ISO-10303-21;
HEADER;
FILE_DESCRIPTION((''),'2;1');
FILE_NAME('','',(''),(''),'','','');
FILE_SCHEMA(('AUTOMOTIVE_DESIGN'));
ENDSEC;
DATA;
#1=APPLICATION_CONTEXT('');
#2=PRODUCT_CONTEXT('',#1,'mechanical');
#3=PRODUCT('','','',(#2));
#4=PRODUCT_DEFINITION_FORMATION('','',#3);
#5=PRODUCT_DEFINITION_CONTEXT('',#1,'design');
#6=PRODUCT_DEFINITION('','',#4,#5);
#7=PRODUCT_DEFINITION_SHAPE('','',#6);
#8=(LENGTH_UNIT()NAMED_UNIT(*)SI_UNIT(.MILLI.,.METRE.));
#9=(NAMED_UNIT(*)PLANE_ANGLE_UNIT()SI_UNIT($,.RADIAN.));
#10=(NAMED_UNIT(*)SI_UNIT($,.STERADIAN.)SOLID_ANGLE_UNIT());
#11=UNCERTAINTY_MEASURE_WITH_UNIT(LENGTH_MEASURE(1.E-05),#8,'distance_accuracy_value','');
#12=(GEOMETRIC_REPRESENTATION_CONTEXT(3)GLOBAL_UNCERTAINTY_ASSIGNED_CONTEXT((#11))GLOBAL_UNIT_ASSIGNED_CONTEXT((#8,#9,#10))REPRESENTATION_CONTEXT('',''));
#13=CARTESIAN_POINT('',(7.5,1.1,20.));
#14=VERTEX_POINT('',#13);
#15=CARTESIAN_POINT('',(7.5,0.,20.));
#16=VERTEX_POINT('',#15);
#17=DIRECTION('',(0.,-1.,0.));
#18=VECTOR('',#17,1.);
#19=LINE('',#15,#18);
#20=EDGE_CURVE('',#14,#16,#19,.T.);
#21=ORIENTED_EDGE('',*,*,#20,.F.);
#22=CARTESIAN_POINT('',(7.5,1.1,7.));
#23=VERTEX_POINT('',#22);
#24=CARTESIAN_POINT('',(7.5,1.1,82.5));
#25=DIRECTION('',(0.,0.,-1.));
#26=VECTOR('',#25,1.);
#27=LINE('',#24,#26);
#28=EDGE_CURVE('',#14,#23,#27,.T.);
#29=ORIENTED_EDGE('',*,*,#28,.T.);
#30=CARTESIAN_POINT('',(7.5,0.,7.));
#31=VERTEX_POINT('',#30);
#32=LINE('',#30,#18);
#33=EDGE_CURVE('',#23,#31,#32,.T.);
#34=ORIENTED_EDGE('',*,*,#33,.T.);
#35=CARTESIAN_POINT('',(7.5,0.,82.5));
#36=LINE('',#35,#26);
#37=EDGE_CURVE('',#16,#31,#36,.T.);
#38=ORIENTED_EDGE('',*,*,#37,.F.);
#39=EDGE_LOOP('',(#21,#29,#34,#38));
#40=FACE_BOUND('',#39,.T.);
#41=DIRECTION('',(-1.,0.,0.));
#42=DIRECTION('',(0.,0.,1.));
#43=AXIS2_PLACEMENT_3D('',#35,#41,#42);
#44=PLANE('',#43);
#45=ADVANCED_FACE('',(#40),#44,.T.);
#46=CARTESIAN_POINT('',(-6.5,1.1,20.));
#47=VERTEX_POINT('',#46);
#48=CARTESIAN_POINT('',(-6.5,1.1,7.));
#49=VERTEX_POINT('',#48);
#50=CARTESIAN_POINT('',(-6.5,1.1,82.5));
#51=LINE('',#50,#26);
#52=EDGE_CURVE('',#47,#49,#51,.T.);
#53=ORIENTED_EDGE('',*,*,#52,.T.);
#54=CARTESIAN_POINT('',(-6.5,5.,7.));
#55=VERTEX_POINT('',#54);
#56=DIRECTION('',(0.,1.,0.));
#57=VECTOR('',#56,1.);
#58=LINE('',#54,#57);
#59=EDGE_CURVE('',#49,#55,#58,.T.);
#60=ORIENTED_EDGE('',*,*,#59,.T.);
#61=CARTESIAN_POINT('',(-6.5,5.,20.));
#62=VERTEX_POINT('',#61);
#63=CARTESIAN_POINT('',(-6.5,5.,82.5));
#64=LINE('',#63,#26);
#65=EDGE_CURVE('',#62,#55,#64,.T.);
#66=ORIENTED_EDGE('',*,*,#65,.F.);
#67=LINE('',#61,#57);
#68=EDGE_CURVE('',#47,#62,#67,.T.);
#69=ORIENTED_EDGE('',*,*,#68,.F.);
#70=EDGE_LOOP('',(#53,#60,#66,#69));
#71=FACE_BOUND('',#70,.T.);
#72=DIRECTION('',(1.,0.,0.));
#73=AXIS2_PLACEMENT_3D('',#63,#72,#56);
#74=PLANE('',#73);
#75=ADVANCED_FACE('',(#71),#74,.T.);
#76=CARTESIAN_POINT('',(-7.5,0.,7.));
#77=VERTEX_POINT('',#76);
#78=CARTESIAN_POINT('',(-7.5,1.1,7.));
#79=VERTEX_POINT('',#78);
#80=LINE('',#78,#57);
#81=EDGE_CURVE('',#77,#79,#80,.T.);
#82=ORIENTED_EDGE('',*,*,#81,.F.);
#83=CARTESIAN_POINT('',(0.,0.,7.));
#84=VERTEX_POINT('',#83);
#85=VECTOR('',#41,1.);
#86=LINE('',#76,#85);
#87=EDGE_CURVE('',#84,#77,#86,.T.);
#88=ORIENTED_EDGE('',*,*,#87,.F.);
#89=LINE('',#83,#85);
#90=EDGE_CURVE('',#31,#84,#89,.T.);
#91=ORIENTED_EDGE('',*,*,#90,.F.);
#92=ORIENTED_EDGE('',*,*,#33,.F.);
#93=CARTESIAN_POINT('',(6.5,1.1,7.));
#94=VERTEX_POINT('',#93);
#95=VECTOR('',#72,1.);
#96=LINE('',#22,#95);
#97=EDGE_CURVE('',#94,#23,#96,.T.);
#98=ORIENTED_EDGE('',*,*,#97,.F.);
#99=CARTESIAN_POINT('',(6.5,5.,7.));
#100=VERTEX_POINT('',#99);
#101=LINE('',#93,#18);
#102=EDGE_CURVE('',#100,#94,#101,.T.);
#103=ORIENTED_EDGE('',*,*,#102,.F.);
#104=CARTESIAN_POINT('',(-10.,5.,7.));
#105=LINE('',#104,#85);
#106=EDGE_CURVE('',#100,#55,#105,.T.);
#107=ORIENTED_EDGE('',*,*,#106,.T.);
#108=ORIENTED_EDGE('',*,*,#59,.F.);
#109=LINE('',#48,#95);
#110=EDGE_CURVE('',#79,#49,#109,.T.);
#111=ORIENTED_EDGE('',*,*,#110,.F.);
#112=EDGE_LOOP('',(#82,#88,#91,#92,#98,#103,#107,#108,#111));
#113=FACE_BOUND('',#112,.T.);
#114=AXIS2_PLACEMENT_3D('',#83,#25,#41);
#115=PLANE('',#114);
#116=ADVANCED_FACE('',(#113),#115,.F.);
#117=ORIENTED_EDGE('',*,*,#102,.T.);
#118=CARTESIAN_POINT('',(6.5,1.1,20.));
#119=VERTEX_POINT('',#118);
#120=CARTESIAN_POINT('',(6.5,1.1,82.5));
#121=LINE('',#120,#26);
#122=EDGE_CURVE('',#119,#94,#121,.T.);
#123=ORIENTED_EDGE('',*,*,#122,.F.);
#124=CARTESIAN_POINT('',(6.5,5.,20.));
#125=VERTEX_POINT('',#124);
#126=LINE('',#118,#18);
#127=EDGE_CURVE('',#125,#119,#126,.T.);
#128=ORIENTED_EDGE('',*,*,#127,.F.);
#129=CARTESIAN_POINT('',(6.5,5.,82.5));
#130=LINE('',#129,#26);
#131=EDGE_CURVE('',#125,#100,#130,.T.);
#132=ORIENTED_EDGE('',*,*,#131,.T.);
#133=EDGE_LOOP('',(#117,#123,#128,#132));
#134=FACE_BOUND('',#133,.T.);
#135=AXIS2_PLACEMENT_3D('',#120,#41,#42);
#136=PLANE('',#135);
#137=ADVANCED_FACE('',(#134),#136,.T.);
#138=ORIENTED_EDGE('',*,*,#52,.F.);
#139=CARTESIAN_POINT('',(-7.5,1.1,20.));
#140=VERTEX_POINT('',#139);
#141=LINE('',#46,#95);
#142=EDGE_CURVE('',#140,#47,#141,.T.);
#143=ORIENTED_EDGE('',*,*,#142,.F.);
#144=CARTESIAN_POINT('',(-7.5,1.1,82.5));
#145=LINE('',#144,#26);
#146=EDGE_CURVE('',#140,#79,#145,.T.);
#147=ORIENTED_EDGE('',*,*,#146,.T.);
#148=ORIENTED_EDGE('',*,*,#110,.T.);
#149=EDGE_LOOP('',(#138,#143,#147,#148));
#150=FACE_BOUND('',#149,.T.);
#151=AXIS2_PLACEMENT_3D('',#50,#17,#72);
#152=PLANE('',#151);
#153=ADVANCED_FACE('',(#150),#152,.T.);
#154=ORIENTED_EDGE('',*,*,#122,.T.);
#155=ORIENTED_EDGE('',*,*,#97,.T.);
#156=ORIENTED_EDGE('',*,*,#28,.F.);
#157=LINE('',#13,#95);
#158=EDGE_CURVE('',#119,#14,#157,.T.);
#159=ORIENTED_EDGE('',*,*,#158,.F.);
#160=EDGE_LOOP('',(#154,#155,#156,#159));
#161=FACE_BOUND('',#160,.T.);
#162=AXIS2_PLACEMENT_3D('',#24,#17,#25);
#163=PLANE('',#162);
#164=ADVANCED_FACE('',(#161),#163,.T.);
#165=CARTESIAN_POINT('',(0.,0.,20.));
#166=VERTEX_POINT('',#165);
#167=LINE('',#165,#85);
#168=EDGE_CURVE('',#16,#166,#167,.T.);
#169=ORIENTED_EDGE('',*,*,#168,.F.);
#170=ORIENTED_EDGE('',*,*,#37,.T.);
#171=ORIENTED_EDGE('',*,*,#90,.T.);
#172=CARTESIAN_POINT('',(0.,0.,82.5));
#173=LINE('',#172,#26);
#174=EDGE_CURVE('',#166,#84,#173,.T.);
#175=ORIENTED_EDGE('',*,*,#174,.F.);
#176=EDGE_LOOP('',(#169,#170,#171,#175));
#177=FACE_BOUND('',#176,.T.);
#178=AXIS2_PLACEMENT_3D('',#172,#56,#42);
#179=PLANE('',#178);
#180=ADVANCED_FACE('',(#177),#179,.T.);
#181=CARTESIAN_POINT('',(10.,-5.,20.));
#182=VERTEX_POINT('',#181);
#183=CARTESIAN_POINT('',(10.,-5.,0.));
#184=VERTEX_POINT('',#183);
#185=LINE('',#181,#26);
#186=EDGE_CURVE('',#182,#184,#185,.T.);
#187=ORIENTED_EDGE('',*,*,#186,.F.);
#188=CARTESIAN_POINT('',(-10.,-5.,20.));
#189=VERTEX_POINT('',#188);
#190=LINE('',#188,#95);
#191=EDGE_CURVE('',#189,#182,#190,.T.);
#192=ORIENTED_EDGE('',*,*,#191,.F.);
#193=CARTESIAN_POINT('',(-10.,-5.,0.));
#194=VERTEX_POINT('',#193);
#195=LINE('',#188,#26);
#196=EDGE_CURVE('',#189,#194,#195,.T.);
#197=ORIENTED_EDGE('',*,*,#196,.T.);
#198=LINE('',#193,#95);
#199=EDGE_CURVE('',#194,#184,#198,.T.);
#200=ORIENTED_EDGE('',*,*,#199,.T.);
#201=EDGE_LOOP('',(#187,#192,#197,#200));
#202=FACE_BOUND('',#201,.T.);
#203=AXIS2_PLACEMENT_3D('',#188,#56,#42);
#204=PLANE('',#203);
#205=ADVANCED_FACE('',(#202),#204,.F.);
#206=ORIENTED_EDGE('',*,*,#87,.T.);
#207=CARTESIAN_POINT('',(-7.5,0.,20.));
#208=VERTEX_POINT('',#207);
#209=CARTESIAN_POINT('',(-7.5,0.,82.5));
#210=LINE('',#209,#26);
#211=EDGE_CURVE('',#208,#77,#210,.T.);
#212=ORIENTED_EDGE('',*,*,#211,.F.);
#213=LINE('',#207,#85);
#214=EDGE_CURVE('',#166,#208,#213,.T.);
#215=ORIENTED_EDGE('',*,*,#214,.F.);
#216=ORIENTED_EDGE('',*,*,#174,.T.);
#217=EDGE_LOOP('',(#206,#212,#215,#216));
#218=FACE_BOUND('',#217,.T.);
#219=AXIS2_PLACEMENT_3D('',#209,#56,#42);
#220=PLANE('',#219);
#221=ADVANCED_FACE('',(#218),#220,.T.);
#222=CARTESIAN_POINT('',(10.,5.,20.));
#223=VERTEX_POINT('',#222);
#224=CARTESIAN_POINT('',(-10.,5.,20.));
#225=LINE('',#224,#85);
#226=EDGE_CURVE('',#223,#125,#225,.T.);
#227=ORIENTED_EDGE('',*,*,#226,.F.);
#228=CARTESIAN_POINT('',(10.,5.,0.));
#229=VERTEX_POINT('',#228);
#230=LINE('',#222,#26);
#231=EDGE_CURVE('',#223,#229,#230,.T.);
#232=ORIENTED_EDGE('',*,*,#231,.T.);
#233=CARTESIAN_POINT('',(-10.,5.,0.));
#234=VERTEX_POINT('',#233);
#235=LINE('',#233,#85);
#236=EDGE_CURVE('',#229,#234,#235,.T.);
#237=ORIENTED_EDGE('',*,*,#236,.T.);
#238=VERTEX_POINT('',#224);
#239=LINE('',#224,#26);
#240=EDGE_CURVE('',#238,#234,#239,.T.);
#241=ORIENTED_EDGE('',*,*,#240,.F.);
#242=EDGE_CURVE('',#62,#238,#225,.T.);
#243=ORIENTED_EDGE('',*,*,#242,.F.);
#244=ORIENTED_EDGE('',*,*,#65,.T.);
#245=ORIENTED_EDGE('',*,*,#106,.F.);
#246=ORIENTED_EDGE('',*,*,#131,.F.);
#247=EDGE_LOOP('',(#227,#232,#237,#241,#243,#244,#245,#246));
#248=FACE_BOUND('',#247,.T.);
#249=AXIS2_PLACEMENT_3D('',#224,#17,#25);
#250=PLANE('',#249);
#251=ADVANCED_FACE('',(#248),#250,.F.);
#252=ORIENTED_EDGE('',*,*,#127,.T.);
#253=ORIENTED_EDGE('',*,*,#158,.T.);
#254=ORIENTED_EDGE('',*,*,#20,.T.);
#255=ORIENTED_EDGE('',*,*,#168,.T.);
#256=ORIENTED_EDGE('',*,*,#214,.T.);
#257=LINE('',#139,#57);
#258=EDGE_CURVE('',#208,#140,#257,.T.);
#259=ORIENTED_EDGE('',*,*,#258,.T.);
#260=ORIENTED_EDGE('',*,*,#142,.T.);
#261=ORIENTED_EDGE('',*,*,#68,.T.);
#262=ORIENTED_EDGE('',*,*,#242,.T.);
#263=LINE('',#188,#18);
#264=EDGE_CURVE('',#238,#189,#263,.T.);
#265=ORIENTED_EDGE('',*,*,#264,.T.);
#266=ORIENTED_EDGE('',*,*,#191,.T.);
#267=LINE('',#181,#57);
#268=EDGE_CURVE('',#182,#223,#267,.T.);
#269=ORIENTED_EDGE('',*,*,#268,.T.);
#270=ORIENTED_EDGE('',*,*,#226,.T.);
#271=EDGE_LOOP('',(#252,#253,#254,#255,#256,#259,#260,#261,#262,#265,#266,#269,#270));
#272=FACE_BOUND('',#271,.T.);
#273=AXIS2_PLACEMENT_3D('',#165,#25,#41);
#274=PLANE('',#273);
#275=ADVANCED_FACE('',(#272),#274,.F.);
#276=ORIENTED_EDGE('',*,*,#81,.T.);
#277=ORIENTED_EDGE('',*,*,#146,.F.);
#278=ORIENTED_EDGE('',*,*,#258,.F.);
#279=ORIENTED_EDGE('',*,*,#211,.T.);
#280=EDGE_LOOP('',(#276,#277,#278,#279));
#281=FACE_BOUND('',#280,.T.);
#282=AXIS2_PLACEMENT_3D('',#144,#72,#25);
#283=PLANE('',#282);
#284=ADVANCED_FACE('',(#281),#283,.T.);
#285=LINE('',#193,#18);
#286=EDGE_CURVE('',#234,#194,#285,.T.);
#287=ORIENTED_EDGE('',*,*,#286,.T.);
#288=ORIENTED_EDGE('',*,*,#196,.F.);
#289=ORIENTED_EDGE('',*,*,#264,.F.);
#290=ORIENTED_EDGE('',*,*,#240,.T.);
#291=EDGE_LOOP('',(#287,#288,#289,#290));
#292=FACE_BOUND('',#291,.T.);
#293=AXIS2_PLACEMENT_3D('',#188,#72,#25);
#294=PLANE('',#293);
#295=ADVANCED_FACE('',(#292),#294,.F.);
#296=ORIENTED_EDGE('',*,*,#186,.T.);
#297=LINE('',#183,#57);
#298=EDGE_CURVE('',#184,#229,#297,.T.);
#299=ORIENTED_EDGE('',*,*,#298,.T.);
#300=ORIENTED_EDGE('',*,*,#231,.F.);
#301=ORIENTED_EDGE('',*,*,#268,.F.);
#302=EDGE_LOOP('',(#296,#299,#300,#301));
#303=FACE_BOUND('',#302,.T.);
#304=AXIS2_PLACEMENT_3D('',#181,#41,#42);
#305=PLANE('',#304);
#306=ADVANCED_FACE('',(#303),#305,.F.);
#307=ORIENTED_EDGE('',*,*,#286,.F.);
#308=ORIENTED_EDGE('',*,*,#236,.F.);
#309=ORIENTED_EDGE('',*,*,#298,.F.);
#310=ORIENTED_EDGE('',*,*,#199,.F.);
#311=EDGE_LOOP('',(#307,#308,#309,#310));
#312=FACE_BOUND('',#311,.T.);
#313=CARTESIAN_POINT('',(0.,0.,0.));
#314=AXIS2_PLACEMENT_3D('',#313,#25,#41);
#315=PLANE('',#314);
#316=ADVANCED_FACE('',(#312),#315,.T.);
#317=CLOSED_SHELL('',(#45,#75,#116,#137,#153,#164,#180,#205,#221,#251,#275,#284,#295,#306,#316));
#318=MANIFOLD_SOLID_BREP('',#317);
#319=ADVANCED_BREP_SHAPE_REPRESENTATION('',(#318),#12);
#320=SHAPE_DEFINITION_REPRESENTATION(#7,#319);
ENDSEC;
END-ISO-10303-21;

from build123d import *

# Parameters (mm, degrees)
SKETCH1_W               = 20
SKETCH1_H               = 10
BOSS_EXTRUDE1_DEPTH     = 20
CUT_EXTRUDE1_DEPTH      = 23.912878475
CUT_EXTRUDE1_DEPTH_BACK = 13


with BuildPart() as part:
    # Sketch1 → Boss-Extrude1 (new body)
    with BuildSketch(Plane.XY):
        Rectangle(SKETCH1_W, SKETCH1_H)
    extrude(amount=BOSS_EXTRUDE1_DEPTH)

    # Sketch2 → Cut-Extrude1 (cut, two sides: drawn at the far end of the back side and taken through both)
    with BuildSketch(Plane.XY.offset(20).offset(-CUT_EXTRUDE1_DEPTH_BACK)):
        Polygon((-6.5, 53.587562763), (-6.5, 5), (-6.5, 1.1), (-7.5, 1.1), (-7.5, 0), (0, 0), (7.5, 0), (7.5, 1.1), (6.5, 1.1), (6.5, 5), (6.5, 53.587562763), (6.5, 150.762688289), (-6.5, 150.762688289), align=None)
    extrude(amount=CUT_EXTRUDE1_DEPTH + CUT_EXTRUDE1_DEPTH_BACK, mode=Mode.SUBTRACT)


solid = part.part
